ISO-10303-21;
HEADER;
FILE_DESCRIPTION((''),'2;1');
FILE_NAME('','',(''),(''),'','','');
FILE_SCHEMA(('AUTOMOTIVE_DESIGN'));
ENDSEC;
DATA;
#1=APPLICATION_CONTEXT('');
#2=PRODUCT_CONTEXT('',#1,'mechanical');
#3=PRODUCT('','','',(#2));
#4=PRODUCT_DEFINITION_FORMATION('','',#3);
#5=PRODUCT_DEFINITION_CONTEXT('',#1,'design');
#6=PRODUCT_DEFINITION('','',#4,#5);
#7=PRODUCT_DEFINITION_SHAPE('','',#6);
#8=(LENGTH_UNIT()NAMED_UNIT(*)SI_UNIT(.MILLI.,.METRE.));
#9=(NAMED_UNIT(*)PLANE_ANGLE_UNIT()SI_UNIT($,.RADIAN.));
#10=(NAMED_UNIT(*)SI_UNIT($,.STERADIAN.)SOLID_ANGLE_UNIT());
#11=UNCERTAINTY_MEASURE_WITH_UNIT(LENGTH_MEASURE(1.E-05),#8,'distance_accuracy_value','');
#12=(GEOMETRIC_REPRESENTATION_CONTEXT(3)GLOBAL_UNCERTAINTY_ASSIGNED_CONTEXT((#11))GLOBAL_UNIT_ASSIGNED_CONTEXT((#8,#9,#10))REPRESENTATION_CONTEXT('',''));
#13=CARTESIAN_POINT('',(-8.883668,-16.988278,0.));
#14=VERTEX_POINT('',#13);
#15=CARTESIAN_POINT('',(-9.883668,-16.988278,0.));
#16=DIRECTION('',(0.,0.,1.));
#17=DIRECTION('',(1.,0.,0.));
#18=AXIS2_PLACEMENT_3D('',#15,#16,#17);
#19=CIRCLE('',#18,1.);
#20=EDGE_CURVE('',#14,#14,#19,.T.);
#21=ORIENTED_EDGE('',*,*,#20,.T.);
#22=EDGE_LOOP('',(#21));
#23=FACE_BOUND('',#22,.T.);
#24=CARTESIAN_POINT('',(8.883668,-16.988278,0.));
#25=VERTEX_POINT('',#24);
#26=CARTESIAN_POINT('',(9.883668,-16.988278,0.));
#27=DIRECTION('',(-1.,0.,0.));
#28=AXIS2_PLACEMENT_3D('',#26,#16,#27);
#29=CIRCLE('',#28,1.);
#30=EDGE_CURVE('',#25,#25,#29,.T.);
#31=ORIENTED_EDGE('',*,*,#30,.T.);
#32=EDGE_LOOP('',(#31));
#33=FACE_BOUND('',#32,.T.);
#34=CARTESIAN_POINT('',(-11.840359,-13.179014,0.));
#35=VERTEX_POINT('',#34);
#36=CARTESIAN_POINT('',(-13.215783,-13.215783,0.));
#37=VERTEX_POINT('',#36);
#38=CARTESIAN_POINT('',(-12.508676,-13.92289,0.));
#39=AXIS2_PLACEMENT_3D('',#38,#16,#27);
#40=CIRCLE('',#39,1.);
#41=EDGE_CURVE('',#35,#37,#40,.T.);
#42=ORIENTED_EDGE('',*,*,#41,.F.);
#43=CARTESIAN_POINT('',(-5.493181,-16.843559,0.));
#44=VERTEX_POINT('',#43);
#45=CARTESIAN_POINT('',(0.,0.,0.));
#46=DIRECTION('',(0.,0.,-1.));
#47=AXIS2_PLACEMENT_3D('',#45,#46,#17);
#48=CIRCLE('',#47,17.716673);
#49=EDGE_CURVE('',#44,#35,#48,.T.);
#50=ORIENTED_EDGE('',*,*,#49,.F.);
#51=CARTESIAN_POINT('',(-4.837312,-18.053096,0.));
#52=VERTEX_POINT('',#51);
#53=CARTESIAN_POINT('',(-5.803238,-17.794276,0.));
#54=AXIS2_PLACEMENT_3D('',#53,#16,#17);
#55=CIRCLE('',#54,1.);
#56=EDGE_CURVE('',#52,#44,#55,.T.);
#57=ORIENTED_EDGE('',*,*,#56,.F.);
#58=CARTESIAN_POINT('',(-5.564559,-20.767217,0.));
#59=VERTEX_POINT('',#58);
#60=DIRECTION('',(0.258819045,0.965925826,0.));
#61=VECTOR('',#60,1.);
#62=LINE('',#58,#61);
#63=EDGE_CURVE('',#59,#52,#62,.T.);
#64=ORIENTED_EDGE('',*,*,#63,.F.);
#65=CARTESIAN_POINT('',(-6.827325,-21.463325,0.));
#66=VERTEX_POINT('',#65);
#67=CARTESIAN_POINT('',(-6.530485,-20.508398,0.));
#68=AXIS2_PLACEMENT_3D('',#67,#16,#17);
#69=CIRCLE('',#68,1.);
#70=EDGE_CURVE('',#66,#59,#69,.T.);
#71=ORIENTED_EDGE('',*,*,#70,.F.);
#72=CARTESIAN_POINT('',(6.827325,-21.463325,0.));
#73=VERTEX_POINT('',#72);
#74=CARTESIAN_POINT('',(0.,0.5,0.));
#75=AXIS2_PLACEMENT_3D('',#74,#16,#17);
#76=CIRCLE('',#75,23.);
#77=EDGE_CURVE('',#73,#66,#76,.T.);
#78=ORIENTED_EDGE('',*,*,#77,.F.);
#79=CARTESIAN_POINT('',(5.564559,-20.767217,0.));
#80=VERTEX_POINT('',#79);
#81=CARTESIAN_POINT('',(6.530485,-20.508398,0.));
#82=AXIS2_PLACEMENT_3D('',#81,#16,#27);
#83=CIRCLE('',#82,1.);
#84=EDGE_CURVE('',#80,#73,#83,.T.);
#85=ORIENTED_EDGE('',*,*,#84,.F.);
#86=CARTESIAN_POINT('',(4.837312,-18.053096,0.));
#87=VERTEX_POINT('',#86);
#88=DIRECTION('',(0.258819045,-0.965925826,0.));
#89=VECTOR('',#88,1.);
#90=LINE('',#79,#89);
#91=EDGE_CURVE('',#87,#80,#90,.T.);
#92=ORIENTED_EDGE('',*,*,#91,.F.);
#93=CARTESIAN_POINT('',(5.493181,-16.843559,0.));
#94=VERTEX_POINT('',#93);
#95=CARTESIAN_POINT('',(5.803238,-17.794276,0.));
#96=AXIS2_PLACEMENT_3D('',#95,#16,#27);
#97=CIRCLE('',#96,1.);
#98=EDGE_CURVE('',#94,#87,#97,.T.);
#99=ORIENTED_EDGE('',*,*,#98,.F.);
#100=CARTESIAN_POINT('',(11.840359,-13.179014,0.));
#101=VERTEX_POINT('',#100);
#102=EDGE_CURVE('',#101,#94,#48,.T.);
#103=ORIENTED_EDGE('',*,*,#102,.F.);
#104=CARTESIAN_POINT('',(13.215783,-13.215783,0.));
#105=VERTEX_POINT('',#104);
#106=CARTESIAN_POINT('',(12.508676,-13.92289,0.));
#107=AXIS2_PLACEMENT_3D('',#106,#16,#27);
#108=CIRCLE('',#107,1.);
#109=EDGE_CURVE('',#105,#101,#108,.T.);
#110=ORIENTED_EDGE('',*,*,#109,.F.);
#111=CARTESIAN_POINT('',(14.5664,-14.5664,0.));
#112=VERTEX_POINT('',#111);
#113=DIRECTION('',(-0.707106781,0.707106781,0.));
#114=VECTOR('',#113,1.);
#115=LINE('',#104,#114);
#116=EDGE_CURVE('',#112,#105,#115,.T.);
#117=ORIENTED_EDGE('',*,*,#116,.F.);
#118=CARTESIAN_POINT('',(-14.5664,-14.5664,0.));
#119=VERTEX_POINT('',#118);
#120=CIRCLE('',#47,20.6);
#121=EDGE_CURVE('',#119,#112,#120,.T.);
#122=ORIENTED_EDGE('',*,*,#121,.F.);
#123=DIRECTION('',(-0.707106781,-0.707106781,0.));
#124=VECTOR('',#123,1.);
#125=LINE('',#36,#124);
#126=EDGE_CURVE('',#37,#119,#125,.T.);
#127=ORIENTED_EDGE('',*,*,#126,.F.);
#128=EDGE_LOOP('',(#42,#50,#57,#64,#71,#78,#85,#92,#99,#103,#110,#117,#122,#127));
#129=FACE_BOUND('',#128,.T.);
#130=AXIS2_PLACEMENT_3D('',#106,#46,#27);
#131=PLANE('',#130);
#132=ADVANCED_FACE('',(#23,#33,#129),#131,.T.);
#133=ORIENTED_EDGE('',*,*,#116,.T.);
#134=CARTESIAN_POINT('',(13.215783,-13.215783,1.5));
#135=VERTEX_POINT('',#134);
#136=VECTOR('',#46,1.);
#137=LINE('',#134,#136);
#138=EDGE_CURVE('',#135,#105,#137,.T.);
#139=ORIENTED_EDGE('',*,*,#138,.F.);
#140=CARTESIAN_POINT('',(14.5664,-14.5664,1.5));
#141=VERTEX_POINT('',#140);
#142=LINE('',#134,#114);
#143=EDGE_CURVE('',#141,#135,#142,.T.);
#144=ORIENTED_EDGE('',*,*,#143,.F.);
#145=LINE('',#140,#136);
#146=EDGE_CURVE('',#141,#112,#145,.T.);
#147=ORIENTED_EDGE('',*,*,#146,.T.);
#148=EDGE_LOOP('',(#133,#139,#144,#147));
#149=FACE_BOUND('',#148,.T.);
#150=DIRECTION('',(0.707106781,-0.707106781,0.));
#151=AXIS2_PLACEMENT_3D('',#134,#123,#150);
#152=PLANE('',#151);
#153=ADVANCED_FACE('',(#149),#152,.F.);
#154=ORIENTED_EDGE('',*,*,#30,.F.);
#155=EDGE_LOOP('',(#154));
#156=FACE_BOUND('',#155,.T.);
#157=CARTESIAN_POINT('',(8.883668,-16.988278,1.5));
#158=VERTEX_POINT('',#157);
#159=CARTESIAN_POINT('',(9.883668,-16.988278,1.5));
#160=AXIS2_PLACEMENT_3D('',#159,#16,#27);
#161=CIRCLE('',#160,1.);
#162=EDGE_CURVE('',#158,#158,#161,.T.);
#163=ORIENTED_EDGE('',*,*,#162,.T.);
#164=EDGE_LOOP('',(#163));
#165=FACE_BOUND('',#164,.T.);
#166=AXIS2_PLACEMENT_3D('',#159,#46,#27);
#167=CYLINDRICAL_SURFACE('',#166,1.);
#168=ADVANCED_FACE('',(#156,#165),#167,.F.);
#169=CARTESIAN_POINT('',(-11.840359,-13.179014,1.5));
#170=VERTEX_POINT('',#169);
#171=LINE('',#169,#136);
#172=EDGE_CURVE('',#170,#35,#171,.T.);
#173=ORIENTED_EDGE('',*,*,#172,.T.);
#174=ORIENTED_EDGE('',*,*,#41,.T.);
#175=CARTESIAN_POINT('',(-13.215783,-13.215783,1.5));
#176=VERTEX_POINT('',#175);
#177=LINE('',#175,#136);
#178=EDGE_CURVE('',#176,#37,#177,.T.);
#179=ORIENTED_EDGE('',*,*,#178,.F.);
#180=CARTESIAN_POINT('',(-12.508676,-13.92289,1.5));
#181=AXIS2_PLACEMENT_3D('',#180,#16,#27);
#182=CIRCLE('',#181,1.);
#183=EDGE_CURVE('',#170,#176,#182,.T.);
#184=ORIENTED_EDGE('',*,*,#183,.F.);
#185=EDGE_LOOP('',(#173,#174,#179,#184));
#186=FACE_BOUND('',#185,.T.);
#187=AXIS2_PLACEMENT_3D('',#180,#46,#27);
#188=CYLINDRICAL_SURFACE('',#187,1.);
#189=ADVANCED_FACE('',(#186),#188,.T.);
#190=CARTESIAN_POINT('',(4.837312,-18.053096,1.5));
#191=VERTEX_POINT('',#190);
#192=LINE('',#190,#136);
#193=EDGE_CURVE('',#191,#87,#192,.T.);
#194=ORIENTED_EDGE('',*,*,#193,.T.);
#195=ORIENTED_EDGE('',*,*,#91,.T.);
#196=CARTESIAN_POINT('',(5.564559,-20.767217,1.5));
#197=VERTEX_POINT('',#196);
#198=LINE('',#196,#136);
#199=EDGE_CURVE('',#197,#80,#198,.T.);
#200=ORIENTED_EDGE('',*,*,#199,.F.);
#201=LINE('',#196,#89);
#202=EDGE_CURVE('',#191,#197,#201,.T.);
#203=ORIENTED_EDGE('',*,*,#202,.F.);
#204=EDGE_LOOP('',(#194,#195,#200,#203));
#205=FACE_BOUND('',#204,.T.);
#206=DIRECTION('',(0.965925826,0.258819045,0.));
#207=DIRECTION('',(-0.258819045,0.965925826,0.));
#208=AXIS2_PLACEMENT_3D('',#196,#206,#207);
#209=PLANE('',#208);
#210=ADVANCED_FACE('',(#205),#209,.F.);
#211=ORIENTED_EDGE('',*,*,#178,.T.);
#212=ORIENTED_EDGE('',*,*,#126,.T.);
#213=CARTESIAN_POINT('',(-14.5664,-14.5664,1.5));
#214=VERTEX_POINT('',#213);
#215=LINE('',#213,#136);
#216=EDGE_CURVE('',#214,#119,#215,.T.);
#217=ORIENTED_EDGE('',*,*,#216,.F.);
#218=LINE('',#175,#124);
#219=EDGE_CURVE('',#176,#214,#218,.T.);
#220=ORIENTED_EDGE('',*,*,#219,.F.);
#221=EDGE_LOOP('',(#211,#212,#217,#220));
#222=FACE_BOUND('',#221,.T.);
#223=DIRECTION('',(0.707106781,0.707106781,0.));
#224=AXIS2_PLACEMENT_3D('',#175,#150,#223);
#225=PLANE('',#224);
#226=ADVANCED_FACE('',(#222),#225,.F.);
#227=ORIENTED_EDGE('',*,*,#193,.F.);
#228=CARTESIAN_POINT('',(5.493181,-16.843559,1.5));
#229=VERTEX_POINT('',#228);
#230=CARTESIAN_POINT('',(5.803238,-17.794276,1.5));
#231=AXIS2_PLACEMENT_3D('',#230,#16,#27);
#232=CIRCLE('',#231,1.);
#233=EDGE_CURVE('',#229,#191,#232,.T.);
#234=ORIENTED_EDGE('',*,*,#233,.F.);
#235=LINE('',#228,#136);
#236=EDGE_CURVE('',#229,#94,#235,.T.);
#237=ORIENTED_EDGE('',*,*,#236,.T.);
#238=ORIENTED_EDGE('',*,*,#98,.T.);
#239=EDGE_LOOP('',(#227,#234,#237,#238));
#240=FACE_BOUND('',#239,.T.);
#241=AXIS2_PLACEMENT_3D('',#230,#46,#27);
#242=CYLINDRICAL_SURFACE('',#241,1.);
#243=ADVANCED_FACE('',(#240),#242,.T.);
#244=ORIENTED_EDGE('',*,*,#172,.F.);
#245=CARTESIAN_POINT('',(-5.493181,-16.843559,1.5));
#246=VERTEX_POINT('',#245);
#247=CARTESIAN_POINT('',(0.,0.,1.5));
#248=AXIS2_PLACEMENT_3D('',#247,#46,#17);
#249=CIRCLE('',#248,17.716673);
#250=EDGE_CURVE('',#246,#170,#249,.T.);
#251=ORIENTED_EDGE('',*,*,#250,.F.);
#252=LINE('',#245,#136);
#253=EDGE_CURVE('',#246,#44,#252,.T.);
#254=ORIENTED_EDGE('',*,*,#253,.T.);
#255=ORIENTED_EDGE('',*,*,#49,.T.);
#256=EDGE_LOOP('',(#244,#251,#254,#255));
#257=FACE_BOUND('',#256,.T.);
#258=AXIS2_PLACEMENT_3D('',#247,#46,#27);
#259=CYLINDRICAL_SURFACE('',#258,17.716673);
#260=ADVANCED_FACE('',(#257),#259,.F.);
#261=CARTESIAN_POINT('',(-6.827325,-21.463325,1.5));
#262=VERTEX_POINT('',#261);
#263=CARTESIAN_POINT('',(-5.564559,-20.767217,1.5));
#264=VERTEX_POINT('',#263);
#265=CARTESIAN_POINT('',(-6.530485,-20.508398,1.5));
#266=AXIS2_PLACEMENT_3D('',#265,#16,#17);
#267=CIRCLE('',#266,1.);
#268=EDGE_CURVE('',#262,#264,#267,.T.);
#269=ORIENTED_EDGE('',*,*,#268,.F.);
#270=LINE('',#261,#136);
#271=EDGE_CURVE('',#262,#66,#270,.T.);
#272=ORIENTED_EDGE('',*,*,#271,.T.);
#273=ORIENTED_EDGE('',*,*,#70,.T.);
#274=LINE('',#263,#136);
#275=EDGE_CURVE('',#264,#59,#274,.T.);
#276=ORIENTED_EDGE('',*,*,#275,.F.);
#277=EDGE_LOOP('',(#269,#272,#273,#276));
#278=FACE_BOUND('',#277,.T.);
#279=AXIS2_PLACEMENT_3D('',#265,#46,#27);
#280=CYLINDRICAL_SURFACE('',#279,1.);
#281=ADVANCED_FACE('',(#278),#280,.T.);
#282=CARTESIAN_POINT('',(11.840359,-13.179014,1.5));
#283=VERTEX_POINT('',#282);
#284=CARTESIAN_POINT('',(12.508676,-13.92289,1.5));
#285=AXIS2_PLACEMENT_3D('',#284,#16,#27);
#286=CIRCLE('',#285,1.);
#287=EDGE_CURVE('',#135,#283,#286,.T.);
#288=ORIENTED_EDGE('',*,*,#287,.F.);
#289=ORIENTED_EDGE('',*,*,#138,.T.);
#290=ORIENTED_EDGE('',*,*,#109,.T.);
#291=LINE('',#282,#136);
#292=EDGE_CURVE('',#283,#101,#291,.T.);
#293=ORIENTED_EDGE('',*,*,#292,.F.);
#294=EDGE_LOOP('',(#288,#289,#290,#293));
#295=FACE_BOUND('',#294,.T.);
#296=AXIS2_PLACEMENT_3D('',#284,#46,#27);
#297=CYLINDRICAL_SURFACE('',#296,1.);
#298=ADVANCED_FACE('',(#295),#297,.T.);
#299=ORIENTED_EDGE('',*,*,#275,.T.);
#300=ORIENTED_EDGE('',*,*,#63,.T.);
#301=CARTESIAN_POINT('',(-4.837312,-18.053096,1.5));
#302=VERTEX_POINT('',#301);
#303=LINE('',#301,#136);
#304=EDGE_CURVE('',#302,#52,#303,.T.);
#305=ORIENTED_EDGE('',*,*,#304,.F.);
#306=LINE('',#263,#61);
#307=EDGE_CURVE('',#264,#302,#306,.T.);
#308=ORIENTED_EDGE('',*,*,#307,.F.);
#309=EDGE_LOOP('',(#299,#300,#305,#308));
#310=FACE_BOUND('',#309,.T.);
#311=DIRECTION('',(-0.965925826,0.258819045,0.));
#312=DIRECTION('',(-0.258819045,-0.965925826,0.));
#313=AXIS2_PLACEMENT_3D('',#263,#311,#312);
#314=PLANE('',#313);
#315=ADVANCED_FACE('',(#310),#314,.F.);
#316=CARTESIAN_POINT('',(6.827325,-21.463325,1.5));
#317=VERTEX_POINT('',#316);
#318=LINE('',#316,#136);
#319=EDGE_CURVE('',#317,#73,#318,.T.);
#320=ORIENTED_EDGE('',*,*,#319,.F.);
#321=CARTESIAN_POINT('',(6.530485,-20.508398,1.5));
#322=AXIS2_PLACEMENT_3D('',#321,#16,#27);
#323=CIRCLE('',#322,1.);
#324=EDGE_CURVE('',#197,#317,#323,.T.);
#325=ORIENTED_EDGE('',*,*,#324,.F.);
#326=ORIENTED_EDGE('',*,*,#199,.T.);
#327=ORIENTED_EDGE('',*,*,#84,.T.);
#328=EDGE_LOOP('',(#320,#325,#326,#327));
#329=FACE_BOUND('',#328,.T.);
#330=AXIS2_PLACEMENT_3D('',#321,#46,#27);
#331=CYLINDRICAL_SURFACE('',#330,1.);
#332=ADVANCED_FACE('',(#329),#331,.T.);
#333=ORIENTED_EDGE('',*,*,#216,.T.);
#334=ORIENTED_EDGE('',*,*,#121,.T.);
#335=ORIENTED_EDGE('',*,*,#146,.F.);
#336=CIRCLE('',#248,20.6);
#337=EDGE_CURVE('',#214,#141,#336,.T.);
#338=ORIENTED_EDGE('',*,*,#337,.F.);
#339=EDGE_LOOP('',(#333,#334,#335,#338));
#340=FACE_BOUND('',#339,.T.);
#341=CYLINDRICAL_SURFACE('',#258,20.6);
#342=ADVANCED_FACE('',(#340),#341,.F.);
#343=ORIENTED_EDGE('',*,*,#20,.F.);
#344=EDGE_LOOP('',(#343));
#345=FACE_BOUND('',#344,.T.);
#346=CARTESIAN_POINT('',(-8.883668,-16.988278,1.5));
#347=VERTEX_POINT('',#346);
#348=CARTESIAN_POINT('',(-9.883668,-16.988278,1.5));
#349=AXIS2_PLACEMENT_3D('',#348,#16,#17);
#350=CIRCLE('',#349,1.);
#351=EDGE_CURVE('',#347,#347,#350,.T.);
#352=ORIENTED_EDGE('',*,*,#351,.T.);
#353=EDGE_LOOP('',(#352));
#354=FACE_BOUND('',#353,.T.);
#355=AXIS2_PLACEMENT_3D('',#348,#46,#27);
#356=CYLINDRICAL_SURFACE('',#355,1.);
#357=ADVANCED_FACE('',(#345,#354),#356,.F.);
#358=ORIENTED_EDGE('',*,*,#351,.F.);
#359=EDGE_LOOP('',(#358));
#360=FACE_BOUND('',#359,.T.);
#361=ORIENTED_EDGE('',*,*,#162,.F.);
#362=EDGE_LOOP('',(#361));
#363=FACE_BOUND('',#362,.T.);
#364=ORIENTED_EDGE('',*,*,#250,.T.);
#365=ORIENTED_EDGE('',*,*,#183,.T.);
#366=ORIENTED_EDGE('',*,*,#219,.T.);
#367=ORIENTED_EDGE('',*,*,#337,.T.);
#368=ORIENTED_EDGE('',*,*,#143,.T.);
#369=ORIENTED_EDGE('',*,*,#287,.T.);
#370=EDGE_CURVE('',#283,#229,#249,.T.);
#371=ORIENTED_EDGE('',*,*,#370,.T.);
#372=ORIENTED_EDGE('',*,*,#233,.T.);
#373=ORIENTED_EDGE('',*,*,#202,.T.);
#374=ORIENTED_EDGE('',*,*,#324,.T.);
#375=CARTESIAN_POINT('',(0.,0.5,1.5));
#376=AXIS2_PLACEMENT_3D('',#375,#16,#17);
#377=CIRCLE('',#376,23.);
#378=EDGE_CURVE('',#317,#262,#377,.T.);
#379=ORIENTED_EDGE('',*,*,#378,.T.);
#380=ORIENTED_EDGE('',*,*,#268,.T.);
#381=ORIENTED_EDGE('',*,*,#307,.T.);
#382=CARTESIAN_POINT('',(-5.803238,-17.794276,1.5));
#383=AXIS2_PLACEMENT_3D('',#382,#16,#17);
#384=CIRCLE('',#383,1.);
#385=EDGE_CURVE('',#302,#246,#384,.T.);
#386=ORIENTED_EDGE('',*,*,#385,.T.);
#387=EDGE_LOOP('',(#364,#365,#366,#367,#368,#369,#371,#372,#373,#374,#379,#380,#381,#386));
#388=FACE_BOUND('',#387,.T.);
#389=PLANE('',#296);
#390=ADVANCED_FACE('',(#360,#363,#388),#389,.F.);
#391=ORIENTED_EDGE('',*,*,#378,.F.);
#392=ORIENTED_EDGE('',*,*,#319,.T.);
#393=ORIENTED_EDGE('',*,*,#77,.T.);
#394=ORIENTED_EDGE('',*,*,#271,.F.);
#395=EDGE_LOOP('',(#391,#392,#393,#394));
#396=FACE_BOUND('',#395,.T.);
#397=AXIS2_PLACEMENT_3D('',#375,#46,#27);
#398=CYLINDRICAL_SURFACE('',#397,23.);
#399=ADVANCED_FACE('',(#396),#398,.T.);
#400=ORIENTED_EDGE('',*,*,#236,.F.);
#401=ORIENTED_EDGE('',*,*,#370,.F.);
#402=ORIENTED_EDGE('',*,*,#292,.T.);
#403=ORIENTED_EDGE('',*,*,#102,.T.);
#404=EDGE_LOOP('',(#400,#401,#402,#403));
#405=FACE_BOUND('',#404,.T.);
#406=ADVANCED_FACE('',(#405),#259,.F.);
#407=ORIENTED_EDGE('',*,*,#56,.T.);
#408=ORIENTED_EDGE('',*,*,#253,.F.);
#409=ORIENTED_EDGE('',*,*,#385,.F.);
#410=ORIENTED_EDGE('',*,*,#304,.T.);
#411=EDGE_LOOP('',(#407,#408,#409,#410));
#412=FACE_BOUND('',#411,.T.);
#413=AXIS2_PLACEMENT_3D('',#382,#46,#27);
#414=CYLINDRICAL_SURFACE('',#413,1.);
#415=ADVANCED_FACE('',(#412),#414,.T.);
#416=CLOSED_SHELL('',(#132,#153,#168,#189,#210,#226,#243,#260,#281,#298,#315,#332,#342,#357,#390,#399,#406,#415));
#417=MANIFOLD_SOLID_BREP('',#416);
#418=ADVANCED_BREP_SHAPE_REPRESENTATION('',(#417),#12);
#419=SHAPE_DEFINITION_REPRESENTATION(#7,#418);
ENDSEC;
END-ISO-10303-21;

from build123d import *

# Parameters (mm, degrees)
ESQUISSE1_R          = 1
BASE_EXTRUSION_DEPTH = 1.5


with BuildPart() as part:
    # Esquisse1 → Base-Extrusion (new body)
    with BuildSketch(Plane.XY):
        with BuildLine():
            Line((5.564558924, -20.767216626), (4.837312367, -18.053095527))
            ThreePointArc((4.837312367, -18.053095527), (4.924160237, -17.31759845), (5.493181049, -16.84355856))
            ThreePointArc((5.493181049, -16.84355856), (8.858336511, -15.343088908), (11.840359078, -13.179013616))
            ThreePointArc((11.840359078, -13.179013616), (12.535400072, -12.923247082), (13.215783159, -13.215783159))
            Line((13.215783159, -13.215783159), (14.566399692, -14.566399692))
            ThreePointArc((14.566399692, -14.566399692), (0, 20.6), (-14.566399692, -14.566399692))
            Line((-14.566399692, -14.566399692), (-13.215783159, -13.215783159))
            ThreePointArc((-13.215783159, -13.215783159), (-12.535400072, -12.923247082), (-11.840359078, -13.179013616))
            ThreePointArc((-11.840359078, -13.179013616), (-8.858336511, -15.343088908), (-5.493181049, -16.84355856))
            ThreePointArc((-5.493181049, -16.84355856), (-4.924160237, -17.31759845), (-4.837312367, -18.053095527))
            Line((-4.837312367, -18.053095527), (-5.564558924, -20.767216626))
            ThreePointArc((-5.564558924, -20.767216626), (-6.047721334, -21.384148392), (-6.827324966, -21.463324744))
            ThreePointArc((-6.827324966, -21.463324744), (0, 23.5), (6.827324966, -21.463324744))
            ThreePointArc((6.827324966, -21.463324744), (6.047721334, -21.384148392), (5.564558924, -20.767216626))
        make_face()
        with Locations((-9.883667669, -16.988277884)):
            Circle(ESQUISSE1_R, mode=Mode.SUBTRACT)
        with Locations(Location((9.883667669, -16.988277884, 0), (0, 0, 180))):
            Circle(ESQUISSE1_R, mode=Mode.SUBTRACT)
    extrude(amount=BASE_EXTRUSION_DEPTH)


solid = part.part
